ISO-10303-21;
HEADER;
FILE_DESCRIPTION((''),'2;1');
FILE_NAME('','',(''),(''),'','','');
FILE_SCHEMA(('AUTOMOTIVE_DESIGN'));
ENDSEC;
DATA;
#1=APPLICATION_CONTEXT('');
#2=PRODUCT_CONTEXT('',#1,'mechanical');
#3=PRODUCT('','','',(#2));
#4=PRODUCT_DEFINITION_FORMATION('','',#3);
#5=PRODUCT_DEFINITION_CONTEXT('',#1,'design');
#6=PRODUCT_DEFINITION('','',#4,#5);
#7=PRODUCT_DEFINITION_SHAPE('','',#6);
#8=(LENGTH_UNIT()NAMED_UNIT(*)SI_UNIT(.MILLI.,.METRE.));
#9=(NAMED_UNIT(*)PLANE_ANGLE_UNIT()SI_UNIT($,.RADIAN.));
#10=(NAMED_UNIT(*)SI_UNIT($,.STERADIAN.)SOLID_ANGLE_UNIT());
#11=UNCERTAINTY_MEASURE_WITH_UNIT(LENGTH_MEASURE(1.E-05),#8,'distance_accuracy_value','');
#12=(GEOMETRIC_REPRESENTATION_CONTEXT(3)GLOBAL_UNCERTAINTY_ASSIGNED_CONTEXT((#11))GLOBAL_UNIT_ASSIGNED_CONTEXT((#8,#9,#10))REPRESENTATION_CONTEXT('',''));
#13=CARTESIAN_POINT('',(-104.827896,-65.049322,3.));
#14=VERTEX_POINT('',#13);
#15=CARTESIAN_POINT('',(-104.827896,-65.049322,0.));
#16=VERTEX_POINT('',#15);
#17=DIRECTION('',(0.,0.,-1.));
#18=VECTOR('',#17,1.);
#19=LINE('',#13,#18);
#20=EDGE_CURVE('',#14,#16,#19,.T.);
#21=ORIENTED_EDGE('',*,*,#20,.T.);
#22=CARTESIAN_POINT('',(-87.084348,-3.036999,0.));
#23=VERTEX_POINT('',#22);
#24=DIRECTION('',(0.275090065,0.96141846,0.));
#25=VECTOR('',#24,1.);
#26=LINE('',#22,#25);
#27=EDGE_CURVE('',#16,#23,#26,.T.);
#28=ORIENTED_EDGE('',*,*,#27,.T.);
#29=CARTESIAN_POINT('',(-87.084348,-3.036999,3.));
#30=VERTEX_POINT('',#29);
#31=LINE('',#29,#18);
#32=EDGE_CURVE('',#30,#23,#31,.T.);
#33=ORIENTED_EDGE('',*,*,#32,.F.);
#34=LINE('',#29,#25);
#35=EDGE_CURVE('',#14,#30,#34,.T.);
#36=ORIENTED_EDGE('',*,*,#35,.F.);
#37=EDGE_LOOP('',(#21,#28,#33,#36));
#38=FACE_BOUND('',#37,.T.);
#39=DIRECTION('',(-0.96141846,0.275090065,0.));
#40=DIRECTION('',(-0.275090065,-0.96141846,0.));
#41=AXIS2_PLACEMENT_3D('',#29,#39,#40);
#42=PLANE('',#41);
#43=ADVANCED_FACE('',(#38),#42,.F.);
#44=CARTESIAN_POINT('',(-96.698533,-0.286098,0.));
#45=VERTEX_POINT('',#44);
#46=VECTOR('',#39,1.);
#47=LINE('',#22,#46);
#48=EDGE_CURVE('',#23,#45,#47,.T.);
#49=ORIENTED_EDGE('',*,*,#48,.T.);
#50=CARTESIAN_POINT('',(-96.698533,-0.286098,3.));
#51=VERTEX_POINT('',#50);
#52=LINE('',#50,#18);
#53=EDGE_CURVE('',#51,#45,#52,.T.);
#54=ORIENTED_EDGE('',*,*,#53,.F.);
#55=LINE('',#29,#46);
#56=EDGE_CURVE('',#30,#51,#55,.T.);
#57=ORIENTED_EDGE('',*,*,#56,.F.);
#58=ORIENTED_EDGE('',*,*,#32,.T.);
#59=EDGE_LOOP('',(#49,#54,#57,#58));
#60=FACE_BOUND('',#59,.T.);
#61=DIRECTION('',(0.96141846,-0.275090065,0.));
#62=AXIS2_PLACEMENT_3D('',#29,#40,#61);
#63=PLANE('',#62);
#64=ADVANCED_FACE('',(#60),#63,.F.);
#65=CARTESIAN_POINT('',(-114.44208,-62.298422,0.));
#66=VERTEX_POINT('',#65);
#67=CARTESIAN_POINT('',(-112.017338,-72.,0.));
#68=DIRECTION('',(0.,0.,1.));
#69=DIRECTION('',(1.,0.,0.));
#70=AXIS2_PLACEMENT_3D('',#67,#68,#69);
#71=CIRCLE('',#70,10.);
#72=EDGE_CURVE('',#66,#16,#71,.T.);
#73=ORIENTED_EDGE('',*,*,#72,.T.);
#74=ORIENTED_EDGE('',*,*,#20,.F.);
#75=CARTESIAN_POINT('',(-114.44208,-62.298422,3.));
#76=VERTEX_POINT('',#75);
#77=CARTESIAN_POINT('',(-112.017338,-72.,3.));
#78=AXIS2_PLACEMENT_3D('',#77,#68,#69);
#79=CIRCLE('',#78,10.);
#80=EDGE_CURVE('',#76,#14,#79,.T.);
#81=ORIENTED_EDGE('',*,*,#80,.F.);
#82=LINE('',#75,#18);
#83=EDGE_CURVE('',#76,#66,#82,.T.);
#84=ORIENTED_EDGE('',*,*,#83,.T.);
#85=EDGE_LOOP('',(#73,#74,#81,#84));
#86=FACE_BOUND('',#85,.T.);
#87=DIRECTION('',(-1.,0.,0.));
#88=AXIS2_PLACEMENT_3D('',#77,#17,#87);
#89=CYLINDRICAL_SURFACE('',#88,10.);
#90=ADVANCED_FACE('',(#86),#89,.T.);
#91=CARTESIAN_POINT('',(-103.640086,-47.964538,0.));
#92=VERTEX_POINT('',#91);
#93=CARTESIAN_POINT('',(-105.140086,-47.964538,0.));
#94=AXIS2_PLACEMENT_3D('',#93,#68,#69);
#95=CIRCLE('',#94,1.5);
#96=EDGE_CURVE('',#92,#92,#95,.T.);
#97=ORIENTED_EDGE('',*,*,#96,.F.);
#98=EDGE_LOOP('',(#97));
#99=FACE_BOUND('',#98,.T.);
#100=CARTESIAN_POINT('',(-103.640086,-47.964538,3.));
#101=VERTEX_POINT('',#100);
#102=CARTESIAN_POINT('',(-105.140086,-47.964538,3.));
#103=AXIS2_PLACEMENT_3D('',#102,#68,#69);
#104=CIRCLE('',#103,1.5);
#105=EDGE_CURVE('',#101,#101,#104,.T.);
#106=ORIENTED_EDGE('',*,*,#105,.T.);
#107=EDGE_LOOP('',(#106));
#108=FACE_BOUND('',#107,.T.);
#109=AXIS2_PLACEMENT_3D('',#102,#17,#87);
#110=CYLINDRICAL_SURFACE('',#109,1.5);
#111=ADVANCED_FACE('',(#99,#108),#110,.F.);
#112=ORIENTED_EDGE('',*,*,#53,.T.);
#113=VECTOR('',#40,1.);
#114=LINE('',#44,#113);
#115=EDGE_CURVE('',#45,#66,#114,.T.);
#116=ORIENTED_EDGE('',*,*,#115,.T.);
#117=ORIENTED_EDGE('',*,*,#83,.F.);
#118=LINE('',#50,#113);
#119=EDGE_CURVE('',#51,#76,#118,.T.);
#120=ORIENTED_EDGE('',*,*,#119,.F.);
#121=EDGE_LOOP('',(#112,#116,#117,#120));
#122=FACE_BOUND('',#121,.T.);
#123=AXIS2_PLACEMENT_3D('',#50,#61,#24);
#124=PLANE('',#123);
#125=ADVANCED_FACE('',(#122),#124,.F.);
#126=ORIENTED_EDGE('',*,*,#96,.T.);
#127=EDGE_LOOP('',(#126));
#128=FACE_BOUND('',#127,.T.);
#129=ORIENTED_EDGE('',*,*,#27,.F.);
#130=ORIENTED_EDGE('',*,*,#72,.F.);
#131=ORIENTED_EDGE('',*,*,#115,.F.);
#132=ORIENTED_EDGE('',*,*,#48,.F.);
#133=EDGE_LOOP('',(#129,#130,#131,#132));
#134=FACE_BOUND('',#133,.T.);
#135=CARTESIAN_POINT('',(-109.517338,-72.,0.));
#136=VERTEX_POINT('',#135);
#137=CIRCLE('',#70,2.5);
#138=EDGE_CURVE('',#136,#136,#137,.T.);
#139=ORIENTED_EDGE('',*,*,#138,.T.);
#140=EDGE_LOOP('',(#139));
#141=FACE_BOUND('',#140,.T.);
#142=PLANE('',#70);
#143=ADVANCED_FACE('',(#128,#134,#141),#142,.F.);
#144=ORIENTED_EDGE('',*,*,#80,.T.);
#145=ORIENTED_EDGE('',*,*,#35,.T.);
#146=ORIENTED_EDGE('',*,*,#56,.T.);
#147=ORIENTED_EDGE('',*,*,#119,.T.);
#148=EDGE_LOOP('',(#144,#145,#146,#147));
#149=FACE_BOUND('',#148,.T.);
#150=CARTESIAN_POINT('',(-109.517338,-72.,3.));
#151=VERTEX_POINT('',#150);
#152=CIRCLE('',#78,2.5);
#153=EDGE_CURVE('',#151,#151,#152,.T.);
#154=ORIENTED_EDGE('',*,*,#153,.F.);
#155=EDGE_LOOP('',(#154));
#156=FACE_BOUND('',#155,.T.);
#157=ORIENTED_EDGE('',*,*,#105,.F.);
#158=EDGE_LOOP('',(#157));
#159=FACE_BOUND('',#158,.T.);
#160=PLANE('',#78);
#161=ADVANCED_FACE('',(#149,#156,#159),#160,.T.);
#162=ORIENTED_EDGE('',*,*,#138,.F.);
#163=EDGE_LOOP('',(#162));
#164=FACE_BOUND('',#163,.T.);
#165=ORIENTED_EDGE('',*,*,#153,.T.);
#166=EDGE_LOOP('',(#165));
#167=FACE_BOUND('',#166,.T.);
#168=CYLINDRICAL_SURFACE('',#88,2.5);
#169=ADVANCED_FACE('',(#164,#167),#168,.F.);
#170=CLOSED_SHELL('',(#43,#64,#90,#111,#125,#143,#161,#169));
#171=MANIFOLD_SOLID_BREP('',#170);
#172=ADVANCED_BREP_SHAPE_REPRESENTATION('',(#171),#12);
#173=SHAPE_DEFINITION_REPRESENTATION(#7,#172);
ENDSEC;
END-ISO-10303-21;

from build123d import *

# Parameters (mm, degrees)
SKETCH1_R           = 2.5
SKETCH1_R_2         = 1.500000002
BOSS_EXTRUDE1_DEPTH = 3


with BuildPart() as part:
    # Sketch1 → Boss-Extrude1 (new body)
    with BuildSketch(Plane.XY):
        with BuildLine():
            Line((-87.0843481, -3.036998705), (-104.827895583, -65.04932222))
            ThreePointArc((-104.827895583, -65.04932222), (-114.768238381, -81.614184605), (-114.442080188, -62.298421571))
            Line((-114.442080188, -62.298421571), (-96.698532704, -0.286098055))
            Line((-96.698532704, -0.286098055), (-87.0843481, -3.036998705))
        make_face()
        with Locations((-112.017337731, -72)):
            Circle(SKETCH1_R, mode=Mode.SUBTRACT)
        with Locations((-105.140086107, -47.964538488)):
            Circle(SKETCH1_R_2, mode=Mode.SUBTRACT)
    extrude(amount=BOSS_EXTRUDE1_DEPTH)


solid = part.part
